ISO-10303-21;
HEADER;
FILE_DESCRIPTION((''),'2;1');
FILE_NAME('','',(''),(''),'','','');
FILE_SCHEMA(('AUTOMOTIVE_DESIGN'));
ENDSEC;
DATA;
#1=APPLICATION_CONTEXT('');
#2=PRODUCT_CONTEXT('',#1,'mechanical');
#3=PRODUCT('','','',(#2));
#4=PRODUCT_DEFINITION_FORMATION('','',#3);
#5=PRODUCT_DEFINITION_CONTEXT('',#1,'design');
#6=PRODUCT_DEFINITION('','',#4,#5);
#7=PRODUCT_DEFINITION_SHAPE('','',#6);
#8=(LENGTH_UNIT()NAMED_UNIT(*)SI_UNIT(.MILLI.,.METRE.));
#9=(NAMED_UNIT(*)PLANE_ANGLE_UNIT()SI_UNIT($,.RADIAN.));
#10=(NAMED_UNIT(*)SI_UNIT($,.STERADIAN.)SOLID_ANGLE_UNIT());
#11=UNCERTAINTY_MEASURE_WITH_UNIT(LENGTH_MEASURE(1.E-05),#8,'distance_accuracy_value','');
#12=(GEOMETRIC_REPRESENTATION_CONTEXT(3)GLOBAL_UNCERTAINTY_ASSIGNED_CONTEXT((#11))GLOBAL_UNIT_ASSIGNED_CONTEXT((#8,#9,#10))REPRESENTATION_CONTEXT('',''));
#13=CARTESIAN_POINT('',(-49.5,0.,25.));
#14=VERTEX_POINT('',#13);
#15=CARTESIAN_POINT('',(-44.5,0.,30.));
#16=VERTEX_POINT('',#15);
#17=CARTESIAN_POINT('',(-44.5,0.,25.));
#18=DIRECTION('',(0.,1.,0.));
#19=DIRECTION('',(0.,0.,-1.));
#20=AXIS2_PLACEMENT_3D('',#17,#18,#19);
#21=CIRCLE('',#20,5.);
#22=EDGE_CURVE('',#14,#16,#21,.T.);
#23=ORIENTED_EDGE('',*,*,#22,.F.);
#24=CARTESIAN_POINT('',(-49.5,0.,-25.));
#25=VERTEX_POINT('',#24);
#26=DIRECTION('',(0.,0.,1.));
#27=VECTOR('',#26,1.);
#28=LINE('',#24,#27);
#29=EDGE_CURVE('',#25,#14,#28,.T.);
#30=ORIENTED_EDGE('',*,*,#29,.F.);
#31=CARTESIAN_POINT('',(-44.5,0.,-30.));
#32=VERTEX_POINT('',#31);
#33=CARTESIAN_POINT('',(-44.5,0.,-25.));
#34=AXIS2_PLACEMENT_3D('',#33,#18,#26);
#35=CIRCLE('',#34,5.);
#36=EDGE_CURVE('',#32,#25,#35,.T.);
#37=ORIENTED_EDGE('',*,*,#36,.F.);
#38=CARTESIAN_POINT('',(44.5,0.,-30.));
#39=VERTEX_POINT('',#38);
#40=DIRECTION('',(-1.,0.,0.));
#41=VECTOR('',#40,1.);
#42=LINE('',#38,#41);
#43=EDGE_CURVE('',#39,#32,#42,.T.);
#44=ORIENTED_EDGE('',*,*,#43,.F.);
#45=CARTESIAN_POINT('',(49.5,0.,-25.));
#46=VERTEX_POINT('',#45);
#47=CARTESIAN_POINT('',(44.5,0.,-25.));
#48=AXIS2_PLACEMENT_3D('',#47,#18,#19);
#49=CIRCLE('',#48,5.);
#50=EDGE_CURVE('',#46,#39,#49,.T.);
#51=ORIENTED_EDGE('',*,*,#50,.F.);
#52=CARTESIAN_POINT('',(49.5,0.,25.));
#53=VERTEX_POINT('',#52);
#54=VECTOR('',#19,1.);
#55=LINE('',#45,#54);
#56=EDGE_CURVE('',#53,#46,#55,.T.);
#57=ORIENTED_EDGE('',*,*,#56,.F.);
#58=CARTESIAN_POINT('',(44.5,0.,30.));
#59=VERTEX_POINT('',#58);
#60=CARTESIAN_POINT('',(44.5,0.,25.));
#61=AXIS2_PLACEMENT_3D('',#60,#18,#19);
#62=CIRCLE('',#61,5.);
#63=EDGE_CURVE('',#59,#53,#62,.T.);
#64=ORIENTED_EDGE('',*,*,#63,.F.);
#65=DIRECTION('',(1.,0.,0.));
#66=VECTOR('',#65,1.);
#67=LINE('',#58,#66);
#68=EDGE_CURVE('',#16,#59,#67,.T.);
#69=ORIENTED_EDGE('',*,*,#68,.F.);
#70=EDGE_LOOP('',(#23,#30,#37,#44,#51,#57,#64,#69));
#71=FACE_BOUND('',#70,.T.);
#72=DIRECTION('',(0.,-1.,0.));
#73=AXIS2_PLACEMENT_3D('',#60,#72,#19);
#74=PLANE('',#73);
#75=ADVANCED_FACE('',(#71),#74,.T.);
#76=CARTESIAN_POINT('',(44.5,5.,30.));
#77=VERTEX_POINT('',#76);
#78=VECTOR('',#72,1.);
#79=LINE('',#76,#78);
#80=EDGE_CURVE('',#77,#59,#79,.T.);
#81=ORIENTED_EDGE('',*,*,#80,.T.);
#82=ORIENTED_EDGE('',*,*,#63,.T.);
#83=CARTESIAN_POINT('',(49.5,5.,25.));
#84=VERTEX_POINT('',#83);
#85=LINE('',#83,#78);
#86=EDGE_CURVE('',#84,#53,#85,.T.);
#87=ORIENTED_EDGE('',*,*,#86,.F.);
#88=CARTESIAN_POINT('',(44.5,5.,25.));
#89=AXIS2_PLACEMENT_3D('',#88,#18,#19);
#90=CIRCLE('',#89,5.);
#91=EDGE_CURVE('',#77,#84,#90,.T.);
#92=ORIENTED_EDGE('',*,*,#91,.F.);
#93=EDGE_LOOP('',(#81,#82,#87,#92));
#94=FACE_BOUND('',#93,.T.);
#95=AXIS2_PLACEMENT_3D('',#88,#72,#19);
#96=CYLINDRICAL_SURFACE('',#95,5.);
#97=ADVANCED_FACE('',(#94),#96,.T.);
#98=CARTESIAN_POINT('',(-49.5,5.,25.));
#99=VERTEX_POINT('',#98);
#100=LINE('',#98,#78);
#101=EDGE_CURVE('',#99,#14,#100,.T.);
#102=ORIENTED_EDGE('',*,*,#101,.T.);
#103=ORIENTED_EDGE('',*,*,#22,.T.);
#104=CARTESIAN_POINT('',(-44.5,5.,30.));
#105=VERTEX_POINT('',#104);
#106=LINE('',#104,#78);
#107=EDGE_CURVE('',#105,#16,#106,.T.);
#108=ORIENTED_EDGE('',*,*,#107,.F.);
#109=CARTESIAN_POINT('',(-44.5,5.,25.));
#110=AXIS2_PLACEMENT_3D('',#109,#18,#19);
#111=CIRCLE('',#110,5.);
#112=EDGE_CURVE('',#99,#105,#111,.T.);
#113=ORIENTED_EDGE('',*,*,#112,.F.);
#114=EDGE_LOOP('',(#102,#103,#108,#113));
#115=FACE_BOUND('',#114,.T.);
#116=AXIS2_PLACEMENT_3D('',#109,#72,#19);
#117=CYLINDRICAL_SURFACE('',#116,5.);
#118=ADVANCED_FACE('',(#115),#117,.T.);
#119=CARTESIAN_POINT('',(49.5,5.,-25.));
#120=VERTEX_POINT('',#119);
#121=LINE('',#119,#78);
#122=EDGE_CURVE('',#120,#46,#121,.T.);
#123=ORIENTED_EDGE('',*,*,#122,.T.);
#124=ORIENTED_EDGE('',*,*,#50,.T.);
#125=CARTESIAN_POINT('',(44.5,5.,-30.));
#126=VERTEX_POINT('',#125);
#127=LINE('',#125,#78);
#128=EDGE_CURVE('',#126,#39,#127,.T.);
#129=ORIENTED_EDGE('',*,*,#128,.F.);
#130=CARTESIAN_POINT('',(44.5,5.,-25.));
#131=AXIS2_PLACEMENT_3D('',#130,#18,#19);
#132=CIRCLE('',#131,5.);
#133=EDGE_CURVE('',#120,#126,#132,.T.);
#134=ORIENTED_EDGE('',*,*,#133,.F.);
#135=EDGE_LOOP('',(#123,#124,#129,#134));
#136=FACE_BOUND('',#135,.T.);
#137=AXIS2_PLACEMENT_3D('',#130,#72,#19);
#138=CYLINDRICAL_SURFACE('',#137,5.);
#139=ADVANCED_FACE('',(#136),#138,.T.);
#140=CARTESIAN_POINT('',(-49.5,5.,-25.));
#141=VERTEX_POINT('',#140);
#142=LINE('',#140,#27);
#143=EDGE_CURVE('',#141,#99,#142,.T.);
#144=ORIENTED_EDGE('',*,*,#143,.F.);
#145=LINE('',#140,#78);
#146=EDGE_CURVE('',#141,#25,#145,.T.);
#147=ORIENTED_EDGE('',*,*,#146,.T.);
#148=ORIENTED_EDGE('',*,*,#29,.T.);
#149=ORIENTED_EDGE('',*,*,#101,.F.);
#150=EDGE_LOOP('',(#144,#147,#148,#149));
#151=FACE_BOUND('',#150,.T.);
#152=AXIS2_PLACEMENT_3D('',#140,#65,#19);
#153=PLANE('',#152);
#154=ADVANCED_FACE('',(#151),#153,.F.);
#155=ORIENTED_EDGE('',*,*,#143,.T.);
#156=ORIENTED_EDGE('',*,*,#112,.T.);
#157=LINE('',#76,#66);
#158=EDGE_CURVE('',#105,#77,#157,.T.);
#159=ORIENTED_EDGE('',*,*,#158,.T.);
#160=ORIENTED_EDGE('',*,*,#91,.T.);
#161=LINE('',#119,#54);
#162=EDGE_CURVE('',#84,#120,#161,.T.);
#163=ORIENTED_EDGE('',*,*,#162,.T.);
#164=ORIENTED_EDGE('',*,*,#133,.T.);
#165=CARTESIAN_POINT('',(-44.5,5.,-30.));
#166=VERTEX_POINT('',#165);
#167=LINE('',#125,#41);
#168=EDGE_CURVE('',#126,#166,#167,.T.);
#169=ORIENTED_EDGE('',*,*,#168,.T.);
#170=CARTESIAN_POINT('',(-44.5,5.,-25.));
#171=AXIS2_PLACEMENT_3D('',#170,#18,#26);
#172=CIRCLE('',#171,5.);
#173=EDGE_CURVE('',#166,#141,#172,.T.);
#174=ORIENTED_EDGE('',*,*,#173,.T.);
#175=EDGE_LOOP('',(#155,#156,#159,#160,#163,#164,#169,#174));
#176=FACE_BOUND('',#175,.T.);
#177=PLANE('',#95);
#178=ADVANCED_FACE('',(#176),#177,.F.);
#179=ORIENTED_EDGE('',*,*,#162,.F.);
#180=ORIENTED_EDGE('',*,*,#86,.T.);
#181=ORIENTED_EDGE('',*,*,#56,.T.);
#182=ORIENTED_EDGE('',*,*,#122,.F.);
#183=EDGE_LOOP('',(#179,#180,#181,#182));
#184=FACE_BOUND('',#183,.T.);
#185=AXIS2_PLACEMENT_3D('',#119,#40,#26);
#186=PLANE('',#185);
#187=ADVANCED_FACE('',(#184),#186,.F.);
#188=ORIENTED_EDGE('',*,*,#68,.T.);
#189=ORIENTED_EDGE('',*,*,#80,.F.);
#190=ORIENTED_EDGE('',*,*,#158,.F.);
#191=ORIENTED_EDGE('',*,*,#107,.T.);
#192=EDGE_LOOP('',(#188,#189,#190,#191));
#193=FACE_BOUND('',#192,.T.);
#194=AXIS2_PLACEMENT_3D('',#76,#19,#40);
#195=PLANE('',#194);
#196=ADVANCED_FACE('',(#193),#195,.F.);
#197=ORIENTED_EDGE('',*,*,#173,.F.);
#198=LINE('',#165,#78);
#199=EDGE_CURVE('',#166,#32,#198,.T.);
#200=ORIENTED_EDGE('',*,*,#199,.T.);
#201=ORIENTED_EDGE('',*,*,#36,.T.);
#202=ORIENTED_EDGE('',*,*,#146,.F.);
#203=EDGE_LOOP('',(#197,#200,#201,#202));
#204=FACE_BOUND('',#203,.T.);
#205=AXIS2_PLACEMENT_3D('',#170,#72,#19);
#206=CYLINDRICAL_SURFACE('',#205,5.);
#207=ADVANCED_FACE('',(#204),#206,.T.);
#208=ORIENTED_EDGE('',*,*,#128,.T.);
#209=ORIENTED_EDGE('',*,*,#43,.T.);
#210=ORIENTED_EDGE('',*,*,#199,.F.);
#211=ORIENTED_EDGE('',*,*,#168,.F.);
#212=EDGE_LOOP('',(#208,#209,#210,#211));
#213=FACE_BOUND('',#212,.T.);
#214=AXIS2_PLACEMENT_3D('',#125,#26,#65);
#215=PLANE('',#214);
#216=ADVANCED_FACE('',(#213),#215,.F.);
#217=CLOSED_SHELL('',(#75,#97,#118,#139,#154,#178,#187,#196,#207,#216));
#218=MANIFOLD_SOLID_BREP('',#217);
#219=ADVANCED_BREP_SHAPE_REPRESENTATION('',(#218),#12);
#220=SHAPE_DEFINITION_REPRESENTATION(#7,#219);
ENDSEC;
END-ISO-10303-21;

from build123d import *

# Parameters (mm, degrees)
BOSS_EXTRUDE1_DEPTH = 5


with BuildPart() as part:
    # Sketch2 → Boss-Extrude1 (new body)
    with BuildSketch(Plane(origin=(0, 0, 0), x_dir=(1, 0, 0), z_dir=(0, 1, 0))):
        with BuildLine():
            Line((44.5, 30), (-44.5, 30))
            ThreePointArc((-44.5, 30), (-48.035533906, 28.535533906), (-49.5, 25))
            Line((-49.5, 25), (-49.5, -25))
            ThreePointArc((-49.5, -25), (-48.035533906, -28.535533906), (-44.5, -30))
            Line((-44.5, -30), (44.5, -30))
            ThreePointArc((44.5, -30), (48.035533906, -28.535533906), (49.5, -25))
            Line((49.5, -25), (49.5, 25))
            ThreePointArc((49.5, 25), (48.035533906, 28.535533906), (44.5, 30))
        make_face()
    extrude(amount=BOSS_EXTRUDE1_DEPTH)


solid = part.part
